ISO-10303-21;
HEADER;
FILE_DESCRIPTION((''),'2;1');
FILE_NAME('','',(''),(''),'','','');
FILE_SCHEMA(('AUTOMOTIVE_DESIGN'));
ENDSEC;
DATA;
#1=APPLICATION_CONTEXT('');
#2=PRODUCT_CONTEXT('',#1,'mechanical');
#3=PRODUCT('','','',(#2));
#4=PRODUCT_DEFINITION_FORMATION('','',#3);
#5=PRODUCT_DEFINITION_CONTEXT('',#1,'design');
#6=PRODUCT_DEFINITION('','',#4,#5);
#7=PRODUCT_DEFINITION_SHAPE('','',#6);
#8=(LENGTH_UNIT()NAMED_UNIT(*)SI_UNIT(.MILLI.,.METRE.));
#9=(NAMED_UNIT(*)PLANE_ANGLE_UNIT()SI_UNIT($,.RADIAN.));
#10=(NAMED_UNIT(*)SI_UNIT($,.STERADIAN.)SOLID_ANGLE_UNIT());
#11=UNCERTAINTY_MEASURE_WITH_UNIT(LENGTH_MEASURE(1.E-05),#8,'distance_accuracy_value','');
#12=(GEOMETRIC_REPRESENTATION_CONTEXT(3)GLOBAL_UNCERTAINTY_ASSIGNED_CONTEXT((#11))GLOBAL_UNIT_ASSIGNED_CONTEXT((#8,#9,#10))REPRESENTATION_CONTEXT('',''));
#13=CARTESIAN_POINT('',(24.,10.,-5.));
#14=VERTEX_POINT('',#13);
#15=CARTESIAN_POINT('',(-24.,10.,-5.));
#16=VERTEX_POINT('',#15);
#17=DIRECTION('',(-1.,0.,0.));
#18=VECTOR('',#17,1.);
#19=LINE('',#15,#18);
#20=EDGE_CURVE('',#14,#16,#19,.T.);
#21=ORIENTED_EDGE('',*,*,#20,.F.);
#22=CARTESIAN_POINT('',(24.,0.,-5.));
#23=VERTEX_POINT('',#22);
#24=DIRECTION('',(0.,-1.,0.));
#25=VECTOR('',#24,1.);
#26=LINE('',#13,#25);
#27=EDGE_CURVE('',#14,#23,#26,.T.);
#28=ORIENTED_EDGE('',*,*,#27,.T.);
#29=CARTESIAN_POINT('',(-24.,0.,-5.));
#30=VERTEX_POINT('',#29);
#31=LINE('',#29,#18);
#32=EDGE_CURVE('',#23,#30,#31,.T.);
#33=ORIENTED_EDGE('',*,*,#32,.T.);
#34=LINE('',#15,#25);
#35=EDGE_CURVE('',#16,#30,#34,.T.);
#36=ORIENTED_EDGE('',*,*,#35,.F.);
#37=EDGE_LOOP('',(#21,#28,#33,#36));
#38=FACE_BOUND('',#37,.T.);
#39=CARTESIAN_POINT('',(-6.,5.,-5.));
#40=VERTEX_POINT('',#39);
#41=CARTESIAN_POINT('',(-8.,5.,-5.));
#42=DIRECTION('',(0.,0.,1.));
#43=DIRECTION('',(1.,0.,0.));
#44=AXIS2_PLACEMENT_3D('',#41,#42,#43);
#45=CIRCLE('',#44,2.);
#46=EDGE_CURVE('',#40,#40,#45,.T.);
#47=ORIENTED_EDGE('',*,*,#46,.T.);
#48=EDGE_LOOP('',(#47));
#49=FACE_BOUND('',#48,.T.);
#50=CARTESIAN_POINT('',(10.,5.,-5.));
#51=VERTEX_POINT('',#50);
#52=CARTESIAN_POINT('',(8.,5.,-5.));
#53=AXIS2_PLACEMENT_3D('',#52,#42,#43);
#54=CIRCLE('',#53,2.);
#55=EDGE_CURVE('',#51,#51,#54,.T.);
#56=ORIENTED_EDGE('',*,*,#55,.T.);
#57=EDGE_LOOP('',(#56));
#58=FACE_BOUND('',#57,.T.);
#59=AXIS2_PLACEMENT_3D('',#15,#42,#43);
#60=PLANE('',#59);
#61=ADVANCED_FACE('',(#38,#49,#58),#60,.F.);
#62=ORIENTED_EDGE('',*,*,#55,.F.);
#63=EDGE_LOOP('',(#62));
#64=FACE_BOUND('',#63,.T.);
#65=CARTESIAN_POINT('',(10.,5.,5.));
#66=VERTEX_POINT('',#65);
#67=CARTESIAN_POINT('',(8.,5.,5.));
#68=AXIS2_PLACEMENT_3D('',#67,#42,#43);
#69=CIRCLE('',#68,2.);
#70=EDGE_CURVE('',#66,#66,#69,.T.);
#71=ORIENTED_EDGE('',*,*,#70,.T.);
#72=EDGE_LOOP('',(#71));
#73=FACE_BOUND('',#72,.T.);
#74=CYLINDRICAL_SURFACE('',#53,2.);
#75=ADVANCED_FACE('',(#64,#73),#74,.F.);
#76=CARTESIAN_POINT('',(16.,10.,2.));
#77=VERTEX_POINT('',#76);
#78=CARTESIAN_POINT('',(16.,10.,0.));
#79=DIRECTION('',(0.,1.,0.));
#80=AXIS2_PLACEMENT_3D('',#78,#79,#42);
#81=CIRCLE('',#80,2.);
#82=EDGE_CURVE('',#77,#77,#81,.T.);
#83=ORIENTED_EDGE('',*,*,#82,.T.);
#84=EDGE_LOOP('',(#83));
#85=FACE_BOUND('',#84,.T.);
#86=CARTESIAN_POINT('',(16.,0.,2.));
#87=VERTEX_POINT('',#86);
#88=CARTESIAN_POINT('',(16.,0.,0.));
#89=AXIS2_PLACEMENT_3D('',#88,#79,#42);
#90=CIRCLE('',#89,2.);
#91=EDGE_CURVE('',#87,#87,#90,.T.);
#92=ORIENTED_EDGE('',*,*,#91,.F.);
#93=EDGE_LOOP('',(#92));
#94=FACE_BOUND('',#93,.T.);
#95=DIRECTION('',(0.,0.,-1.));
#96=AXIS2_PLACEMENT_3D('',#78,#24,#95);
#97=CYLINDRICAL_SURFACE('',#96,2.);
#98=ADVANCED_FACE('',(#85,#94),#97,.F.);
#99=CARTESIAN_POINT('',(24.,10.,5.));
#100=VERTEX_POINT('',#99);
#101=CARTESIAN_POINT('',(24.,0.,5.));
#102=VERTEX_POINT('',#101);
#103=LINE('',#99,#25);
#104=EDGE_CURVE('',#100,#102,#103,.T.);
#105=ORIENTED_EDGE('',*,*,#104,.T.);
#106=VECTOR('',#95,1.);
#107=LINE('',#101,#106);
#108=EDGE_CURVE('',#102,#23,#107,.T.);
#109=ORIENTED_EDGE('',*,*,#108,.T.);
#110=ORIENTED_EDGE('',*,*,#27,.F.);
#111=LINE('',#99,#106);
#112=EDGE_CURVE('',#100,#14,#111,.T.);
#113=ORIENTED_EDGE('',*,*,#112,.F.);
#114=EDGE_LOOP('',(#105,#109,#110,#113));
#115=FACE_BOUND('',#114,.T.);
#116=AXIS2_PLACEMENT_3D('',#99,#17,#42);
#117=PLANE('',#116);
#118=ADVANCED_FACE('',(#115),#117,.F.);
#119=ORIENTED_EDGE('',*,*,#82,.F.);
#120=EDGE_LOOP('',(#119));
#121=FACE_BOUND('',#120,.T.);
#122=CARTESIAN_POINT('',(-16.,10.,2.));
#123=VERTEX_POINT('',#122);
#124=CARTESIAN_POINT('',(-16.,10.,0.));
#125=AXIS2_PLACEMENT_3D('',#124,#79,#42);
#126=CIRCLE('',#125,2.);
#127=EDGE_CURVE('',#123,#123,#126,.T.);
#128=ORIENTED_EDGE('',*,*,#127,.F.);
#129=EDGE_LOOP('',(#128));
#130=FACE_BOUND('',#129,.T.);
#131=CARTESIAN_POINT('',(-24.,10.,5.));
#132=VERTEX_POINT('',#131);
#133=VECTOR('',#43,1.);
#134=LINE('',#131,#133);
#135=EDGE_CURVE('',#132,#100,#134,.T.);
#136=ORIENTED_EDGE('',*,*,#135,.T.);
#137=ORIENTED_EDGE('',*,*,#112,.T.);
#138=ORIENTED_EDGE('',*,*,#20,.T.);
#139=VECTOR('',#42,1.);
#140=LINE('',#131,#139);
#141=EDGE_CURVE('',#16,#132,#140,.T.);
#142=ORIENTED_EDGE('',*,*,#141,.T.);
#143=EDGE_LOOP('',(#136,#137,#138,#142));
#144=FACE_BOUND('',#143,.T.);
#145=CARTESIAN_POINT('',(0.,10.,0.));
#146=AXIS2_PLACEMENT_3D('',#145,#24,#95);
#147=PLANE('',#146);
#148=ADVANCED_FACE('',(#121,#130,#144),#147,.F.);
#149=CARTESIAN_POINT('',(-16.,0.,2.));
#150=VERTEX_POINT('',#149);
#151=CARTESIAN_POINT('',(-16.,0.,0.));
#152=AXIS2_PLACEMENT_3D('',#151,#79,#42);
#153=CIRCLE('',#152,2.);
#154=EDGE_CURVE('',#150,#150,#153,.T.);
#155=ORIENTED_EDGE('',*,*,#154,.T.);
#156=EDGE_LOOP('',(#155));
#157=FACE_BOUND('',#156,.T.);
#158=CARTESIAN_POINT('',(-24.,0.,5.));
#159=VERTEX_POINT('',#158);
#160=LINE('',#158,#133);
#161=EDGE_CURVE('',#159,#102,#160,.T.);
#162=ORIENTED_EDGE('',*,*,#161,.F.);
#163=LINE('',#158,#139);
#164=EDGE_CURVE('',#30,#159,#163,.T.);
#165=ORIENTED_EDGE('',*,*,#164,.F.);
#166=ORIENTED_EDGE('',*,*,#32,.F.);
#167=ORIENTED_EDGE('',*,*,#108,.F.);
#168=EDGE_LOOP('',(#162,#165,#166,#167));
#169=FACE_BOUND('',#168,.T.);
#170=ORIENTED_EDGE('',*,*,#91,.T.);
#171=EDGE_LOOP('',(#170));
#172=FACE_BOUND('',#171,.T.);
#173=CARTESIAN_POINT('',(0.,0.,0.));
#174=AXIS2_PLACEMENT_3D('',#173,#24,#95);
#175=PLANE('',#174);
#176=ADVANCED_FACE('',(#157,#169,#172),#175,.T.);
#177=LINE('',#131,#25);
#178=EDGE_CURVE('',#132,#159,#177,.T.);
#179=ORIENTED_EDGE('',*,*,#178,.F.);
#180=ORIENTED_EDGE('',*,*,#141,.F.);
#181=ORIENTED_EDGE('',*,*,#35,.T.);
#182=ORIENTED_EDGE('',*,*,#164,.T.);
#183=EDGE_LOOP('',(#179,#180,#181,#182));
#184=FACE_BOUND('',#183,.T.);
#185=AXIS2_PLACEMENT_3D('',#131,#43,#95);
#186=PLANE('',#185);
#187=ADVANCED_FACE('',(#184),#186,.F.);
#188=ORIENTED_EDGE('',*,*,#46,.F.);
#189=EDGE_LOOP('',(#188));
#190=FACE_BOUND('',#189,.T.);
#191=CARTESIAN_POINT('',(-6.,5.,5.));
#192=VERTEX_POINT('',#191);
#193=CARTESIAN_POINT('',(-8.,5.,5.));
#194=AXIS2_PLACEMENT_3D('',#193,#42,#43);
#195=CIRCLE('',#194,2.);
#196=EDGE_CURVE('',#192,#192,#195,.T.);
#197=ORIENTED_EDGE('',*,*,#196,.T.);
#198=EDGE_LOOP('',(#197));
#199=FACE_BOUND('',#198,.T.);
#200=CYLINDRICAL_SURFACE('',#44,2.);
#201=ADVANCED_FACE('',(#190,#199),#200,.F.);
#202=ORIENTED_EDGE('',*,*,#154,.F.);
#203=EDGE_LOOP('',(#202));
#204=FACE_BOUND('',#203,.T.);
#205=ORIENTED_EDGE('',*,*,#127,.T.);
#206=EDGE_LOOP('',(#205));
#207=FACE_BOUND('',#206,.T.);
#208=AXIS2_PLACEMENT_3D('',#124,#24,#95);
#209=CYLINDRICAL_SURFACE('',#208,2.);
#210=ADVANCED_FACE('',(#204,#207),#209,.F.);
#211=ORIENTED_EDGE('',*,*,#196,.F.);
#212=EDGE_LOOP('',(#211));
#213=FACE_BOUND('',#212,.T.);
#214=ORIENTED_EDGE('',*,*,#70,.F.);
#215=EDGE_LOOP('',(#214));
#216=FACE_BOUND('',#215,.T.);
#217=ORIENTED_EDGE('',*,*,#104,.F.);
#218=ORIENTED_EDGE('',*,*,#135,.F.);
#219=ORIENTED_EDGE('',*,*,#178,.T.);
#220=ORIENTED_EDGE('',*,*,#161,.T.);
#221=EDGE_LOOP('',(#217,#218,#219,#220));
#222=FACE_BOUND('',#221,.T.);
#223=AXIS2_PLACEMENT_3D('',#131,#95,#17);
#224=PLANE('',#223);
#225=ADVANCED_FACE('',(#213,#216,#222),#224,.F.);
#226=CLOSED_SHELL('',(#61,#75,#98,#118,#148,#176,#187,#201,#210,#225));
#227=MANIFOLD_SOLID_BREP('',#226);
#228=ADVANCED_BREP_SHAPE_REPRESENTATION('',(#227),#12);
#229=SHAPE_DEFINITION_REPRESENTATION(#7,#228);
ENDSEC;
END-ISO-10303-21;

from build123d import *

# Parameters (mm, degrees)
SKETCH_1_W          = 48
SKETCH_1_H          = 10
SKETCH_1_R          = 2
EXTRUDE_1_DEPTH     = 10
SKETCH_2_R          = 2
CUT_EXTRUDE_1_DEPTH = 10


with BuildPart() as part:
    # 草图1 → 凸台-拉伸1 (new body)
    with BuildSketch(Plane(origin=(0, 0, 0), x_dir=(1, 0, 0), z_dir=(0, 1, 0))):
        Rectangle(SKETCH_1_W, SKETCH_1_H)
        with Locations(Location((16, 0, 0), (0, 0, 270))):
            Circle(SKETCH_1_R, mode=Mode.SUBTRACT)
        with Locations(Location((-16, 0, 0), (0, 0, 270))):
            Circle(SKETCH_1_R, mode=Mode.SUBTRACT)
    extrude(amount=EXTRUDE_1_DEPTH)

    # 草图2 → 切除-拉伸1 (cut)
    with BuildSketch(Plane.XY.offset(5)):
        with Locations((-8, 5)):
            Circle(SKETCH_2_R)
        with Locations((8, 5)):
            Circle(SKETCH_2_R)
    extrude(amount=-CUT_EXTRUDE_1_DEPTH, mode=Mode.SUBTRACT)


solid = part.part
